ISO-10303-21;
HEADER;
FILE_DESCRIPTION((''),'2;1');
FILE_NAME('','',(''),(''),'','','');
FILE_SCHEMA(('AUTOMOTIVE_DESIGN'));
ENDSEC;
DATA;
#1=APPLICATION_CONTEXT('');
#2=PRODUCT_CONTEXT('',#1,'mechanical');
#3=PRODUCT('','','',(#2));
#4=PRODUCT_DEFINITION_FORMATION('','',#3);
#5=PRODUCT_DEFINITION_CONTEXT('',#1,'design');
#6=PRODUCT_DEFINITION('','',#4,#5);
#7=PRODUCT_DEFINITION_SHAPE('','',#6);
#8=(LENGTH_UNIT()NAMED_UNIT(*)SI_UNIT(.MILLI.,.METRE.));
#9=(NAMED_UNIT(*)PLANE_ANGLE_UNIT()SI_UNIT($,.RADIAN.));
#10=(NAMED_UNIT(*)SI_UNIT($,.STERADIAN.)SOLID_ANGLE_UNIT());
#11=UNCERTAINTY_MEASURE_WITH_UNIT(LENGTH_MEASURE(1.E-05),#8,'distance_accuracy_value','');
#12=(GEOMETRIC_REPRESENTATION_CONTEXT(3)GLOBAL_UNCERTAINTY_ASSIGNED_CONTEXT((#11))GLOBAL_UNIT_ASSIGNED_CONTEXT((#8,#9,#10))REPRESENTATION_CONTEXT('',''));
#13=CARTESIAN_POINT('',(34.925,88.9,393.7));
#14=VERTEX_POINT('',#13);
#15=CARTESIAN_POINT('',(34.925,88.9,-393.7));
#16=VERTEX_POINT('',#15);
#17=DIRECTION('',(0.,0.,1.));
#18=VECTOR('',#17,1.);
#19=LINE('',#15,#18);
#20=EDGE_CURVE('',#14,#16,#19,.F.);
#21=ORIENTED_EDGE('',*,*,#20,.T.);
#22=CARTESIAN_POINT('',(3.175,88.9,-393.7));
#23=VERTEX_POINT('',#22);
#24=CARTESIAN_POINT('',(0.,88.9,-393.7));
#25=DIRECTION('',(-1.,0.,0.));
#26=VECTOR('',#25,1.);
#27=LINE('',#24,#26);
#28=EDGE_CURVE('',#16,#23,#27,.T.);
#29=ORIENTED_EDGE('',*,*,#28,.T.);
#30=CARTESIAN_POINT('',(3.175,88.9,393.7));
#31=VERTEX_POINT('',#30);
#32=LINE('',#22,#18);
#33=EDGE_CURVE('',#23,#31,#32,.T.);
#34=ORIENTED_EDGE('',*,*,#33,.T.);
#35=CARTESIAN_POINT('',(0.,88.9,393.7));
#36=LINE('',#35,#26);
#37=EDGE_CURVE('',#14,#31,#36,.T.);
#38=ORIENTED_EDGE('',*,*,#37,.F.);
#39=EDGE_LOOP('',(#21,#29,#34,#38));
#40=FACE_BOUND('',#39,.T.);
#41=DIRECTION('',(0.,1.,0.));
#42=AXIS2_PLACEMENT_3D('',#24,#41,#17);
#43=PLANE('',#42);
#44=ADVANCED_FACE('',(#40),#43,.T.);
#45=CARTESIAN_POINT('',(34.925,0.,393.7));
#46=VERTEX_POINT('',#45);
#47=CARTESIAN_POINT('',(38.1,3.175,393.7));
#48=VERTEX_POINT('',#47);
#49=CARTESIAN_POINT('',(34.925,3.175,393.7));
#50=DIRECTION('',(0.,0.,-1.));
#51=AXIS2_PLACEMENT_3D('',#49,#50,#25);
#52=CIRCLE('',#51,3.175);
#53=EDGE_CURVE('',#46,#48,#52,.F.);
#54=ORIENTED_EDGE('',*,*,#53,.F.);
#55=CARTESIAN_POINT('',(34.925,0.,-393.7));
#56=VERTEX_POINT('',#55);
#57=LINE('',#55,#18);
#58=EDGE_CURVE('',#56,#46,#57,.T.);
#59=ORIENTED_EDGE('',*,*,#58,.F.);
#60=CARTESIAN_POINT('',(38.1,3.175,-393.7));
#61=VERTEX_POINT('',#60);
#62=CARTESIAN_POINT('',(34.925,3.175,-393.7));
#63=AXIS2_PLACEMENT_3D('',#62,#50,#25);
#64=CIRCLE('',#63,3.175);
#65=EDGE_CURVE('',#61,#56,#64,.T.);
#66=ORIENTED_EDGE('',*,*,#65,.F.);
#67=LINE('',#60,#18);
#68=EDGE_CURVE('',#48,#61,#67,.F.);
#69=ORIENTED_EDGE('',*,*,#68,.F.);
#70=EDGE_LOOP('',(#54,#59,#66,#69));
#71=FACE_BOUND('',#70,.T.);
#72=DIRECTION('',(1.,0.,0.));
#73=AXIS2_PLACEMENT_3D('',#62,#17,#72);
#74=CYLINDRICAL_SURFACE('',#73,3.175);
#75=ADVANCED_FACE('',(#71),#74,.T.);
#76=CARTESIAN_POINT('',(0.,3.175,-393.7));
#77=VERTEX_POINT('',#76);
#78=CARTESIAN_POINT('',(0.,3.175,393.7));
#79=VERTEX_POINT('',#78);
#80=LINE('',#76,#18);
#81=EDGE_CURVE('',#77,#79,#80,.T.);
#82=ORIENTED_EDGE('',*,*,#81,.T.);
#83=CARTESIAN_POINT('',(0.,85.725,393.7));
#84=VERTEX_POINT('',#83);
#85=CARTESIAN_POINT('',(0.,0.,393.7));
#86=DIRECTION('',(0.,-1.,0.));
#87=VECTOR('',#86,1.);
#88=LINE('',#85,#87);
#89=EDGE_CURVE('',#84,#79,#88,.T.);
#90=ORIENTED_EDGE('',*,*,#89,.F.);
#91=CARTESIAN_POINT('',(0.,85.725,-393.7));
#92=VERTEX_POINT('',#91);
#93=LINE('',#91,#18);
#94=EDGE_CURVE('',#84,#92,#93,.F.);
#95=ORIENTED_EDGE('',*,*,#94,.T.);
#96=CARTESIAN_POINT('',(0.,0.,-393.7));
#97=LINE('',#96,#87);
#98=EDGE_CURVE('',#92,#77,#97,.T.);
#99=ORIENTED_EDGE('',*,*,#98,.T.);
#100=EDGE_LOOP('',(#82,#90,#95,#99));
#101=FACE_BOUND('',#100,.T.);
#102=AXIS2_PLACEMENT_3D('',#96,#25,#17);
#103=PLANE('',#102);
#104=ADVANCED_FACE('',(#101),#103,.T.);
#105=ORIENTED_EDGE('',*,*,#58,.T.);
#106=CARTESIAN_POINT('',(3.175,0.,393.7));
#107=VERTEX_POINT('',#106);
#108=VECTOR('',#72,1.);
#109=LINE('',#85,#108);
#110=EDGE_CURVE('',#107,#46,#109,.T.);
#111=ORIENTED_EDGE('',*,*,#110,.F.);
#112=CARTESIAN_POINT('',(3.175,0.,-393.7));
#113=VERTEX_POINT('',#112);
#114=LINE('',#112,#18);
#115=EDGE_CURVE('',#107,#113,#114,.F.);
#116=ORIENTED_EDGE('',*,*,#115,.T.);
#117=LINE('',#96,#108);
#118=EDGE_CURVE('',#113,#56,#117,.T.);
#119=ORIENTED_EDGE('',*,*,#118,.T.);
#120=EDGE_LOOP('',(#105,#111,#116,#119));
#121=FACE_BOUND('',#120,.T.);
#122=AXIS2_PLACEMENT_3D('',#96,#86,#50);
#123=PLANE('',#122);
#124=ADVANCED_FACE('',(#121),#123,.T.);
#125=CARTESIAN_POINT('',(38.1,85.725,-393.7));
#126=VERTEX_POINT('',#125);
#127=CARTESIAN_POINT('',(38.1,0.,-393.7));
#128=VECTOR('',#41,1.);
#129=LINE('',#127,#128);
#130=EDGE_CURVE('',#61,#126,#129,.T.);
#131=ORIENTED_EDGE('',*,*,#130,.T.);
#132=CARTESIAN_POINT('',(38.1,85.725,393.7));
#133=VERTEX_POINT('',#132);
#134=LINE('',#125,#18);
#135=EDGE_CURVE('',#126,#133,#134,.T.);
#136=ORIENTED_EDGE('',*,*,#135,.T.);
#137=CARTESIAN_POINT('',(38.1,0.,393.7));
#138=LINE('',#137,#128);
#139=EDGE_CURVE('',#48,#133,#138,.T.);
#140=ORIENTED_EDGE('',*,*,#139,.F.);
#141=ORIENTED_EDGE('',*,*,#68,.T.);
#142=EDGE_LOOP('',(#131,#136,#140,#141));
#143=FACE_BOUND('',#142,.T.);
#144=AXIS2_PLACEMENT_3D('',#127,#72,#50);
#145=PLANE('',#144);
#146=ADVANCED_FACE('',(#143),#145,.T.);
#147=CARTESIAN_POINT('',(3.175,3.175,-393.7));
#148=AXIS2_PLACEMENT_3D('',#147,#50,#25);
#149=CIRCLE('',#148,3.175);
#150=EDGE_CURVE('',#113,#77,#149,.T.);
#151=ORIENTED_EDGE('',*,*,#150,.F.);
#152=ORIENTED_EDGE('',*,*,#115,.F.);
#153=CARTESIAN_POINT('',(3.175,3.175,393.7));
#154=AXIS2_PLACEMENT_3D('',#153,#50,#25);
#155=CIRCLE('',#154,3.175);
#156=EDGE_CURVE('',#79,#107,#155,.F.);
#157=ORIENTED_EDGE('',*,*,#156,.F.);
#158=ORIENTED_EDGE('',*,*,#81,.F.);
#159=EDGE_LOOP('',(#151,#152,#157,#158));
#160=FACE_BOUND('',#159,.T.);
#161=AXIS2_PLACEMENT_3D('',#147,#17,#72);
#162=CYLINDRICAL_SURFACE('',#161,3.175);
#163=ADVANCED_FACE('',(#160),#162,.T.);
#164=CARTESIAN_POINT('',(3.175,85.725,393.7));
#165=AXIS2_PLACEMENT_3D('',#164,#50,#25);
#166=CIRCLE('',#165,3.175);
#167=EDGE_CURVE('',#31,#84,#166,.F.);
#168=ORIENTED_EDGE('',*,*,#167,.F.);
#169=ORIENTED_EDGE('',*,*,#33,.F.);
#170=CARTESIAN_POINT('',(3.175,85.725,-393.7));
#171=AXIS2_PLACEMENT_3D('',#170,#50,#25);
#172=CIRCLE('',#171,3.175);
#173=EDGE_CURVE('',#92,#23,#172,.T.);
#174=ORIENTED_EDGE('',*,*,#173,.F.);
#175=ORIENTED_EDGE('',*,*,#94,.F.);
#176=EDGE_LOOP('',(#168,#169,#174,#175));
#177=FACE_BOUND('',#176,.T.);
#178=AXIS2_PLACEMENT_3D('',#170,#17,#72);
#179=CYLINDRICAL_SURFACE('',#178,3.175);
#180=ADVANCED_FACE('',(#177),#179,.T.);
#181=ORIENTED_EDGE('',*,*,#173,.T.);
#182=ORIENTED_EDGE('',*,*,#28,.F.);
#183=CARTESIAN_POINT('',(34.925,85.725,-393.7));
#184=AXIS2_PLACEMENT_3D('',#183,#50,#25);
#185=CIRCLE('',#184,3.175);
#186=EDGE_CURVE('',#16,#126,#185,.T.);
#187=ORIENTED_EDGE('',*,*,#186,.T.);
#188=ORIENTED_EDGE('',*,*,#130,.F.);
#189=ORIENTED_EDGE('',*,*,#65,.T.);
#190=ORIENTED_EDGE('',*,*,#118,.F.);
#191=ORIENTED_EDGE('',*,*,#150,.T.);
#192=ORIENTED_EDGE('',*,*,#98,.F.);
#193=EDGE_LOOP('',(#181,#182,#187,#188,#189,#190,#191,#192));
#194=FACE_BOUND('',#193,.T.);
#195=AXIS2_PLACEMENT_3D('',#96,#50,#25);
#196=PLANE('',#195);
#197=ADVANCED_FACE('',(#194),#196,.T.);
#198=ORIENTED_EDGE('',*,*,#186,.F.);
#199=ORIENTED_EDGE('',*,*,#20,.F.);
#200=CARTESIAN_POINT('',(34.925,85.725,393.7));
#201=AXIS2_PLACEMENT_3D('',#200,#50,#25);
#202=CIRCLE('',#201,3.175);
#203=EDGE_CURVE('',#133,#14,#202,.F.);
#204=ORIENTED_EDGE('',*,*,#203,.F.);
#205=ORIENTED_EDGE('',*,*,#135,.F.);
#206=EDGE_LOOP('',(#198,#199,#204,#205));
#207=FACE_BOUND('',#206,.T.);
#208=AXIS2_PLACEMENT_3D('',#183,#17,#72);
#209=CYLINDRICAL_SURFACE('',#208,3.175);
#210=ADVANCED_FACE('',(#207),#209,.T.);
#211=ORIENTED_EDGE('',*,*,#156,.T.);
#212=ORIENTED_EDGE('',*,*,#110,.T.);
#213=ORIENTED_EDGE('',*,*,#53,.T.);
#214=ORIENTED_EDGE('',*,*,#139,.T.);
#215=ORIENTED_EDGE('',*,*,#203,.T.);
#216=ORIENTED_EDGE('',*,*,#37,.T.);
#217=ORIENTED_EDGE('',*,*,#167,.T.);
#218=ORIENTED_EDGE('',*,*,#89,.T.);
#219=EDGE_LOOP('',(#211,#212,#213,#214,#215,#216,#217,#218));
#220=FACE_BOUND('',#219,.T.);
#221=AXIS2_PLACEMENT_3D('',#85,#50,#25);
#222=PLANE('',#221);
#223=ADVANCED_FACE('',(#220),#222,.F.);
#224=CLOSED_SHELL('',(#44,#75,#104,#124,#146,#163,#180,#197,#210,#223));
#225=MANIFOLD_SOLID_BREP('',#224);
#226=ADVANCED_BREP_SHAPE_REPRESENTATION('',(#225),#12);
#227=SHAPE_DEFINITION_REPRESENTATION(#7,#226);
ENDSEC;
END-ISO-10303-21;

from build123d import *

# Parameters (mm, degrees)
SKETCH1_W           = 38.1
SKETCH1_H           = 88.9
BOSS_EXTRUDE1_DEPTH = 393.7
FILLET1_R           = 3.175


with BuildPart() as part:
    # Sketch1 → Boss-Extrude1 (new, symmetric)
    with BuildSketch(Plane.XY):
        with Locations((19.05, 44.45)):
            Rectangle(SKETCH1_W, SKETCH1_H)
    extrude(amount=BOSS_EXTRUDE1_DEPTH, both=True)

    # Fillet1
    fillet1_edges = [part.edges().sort_by_distance(p)[0] for p in [
        (0, 88.9, 0),
        (38.1, 88.9, 0),
        (38.1, 0, 0),
        (0, 0, 0),
    ]]
    fillet(fillet1_edges, radius=FILLET1_R)


solid = part.part
